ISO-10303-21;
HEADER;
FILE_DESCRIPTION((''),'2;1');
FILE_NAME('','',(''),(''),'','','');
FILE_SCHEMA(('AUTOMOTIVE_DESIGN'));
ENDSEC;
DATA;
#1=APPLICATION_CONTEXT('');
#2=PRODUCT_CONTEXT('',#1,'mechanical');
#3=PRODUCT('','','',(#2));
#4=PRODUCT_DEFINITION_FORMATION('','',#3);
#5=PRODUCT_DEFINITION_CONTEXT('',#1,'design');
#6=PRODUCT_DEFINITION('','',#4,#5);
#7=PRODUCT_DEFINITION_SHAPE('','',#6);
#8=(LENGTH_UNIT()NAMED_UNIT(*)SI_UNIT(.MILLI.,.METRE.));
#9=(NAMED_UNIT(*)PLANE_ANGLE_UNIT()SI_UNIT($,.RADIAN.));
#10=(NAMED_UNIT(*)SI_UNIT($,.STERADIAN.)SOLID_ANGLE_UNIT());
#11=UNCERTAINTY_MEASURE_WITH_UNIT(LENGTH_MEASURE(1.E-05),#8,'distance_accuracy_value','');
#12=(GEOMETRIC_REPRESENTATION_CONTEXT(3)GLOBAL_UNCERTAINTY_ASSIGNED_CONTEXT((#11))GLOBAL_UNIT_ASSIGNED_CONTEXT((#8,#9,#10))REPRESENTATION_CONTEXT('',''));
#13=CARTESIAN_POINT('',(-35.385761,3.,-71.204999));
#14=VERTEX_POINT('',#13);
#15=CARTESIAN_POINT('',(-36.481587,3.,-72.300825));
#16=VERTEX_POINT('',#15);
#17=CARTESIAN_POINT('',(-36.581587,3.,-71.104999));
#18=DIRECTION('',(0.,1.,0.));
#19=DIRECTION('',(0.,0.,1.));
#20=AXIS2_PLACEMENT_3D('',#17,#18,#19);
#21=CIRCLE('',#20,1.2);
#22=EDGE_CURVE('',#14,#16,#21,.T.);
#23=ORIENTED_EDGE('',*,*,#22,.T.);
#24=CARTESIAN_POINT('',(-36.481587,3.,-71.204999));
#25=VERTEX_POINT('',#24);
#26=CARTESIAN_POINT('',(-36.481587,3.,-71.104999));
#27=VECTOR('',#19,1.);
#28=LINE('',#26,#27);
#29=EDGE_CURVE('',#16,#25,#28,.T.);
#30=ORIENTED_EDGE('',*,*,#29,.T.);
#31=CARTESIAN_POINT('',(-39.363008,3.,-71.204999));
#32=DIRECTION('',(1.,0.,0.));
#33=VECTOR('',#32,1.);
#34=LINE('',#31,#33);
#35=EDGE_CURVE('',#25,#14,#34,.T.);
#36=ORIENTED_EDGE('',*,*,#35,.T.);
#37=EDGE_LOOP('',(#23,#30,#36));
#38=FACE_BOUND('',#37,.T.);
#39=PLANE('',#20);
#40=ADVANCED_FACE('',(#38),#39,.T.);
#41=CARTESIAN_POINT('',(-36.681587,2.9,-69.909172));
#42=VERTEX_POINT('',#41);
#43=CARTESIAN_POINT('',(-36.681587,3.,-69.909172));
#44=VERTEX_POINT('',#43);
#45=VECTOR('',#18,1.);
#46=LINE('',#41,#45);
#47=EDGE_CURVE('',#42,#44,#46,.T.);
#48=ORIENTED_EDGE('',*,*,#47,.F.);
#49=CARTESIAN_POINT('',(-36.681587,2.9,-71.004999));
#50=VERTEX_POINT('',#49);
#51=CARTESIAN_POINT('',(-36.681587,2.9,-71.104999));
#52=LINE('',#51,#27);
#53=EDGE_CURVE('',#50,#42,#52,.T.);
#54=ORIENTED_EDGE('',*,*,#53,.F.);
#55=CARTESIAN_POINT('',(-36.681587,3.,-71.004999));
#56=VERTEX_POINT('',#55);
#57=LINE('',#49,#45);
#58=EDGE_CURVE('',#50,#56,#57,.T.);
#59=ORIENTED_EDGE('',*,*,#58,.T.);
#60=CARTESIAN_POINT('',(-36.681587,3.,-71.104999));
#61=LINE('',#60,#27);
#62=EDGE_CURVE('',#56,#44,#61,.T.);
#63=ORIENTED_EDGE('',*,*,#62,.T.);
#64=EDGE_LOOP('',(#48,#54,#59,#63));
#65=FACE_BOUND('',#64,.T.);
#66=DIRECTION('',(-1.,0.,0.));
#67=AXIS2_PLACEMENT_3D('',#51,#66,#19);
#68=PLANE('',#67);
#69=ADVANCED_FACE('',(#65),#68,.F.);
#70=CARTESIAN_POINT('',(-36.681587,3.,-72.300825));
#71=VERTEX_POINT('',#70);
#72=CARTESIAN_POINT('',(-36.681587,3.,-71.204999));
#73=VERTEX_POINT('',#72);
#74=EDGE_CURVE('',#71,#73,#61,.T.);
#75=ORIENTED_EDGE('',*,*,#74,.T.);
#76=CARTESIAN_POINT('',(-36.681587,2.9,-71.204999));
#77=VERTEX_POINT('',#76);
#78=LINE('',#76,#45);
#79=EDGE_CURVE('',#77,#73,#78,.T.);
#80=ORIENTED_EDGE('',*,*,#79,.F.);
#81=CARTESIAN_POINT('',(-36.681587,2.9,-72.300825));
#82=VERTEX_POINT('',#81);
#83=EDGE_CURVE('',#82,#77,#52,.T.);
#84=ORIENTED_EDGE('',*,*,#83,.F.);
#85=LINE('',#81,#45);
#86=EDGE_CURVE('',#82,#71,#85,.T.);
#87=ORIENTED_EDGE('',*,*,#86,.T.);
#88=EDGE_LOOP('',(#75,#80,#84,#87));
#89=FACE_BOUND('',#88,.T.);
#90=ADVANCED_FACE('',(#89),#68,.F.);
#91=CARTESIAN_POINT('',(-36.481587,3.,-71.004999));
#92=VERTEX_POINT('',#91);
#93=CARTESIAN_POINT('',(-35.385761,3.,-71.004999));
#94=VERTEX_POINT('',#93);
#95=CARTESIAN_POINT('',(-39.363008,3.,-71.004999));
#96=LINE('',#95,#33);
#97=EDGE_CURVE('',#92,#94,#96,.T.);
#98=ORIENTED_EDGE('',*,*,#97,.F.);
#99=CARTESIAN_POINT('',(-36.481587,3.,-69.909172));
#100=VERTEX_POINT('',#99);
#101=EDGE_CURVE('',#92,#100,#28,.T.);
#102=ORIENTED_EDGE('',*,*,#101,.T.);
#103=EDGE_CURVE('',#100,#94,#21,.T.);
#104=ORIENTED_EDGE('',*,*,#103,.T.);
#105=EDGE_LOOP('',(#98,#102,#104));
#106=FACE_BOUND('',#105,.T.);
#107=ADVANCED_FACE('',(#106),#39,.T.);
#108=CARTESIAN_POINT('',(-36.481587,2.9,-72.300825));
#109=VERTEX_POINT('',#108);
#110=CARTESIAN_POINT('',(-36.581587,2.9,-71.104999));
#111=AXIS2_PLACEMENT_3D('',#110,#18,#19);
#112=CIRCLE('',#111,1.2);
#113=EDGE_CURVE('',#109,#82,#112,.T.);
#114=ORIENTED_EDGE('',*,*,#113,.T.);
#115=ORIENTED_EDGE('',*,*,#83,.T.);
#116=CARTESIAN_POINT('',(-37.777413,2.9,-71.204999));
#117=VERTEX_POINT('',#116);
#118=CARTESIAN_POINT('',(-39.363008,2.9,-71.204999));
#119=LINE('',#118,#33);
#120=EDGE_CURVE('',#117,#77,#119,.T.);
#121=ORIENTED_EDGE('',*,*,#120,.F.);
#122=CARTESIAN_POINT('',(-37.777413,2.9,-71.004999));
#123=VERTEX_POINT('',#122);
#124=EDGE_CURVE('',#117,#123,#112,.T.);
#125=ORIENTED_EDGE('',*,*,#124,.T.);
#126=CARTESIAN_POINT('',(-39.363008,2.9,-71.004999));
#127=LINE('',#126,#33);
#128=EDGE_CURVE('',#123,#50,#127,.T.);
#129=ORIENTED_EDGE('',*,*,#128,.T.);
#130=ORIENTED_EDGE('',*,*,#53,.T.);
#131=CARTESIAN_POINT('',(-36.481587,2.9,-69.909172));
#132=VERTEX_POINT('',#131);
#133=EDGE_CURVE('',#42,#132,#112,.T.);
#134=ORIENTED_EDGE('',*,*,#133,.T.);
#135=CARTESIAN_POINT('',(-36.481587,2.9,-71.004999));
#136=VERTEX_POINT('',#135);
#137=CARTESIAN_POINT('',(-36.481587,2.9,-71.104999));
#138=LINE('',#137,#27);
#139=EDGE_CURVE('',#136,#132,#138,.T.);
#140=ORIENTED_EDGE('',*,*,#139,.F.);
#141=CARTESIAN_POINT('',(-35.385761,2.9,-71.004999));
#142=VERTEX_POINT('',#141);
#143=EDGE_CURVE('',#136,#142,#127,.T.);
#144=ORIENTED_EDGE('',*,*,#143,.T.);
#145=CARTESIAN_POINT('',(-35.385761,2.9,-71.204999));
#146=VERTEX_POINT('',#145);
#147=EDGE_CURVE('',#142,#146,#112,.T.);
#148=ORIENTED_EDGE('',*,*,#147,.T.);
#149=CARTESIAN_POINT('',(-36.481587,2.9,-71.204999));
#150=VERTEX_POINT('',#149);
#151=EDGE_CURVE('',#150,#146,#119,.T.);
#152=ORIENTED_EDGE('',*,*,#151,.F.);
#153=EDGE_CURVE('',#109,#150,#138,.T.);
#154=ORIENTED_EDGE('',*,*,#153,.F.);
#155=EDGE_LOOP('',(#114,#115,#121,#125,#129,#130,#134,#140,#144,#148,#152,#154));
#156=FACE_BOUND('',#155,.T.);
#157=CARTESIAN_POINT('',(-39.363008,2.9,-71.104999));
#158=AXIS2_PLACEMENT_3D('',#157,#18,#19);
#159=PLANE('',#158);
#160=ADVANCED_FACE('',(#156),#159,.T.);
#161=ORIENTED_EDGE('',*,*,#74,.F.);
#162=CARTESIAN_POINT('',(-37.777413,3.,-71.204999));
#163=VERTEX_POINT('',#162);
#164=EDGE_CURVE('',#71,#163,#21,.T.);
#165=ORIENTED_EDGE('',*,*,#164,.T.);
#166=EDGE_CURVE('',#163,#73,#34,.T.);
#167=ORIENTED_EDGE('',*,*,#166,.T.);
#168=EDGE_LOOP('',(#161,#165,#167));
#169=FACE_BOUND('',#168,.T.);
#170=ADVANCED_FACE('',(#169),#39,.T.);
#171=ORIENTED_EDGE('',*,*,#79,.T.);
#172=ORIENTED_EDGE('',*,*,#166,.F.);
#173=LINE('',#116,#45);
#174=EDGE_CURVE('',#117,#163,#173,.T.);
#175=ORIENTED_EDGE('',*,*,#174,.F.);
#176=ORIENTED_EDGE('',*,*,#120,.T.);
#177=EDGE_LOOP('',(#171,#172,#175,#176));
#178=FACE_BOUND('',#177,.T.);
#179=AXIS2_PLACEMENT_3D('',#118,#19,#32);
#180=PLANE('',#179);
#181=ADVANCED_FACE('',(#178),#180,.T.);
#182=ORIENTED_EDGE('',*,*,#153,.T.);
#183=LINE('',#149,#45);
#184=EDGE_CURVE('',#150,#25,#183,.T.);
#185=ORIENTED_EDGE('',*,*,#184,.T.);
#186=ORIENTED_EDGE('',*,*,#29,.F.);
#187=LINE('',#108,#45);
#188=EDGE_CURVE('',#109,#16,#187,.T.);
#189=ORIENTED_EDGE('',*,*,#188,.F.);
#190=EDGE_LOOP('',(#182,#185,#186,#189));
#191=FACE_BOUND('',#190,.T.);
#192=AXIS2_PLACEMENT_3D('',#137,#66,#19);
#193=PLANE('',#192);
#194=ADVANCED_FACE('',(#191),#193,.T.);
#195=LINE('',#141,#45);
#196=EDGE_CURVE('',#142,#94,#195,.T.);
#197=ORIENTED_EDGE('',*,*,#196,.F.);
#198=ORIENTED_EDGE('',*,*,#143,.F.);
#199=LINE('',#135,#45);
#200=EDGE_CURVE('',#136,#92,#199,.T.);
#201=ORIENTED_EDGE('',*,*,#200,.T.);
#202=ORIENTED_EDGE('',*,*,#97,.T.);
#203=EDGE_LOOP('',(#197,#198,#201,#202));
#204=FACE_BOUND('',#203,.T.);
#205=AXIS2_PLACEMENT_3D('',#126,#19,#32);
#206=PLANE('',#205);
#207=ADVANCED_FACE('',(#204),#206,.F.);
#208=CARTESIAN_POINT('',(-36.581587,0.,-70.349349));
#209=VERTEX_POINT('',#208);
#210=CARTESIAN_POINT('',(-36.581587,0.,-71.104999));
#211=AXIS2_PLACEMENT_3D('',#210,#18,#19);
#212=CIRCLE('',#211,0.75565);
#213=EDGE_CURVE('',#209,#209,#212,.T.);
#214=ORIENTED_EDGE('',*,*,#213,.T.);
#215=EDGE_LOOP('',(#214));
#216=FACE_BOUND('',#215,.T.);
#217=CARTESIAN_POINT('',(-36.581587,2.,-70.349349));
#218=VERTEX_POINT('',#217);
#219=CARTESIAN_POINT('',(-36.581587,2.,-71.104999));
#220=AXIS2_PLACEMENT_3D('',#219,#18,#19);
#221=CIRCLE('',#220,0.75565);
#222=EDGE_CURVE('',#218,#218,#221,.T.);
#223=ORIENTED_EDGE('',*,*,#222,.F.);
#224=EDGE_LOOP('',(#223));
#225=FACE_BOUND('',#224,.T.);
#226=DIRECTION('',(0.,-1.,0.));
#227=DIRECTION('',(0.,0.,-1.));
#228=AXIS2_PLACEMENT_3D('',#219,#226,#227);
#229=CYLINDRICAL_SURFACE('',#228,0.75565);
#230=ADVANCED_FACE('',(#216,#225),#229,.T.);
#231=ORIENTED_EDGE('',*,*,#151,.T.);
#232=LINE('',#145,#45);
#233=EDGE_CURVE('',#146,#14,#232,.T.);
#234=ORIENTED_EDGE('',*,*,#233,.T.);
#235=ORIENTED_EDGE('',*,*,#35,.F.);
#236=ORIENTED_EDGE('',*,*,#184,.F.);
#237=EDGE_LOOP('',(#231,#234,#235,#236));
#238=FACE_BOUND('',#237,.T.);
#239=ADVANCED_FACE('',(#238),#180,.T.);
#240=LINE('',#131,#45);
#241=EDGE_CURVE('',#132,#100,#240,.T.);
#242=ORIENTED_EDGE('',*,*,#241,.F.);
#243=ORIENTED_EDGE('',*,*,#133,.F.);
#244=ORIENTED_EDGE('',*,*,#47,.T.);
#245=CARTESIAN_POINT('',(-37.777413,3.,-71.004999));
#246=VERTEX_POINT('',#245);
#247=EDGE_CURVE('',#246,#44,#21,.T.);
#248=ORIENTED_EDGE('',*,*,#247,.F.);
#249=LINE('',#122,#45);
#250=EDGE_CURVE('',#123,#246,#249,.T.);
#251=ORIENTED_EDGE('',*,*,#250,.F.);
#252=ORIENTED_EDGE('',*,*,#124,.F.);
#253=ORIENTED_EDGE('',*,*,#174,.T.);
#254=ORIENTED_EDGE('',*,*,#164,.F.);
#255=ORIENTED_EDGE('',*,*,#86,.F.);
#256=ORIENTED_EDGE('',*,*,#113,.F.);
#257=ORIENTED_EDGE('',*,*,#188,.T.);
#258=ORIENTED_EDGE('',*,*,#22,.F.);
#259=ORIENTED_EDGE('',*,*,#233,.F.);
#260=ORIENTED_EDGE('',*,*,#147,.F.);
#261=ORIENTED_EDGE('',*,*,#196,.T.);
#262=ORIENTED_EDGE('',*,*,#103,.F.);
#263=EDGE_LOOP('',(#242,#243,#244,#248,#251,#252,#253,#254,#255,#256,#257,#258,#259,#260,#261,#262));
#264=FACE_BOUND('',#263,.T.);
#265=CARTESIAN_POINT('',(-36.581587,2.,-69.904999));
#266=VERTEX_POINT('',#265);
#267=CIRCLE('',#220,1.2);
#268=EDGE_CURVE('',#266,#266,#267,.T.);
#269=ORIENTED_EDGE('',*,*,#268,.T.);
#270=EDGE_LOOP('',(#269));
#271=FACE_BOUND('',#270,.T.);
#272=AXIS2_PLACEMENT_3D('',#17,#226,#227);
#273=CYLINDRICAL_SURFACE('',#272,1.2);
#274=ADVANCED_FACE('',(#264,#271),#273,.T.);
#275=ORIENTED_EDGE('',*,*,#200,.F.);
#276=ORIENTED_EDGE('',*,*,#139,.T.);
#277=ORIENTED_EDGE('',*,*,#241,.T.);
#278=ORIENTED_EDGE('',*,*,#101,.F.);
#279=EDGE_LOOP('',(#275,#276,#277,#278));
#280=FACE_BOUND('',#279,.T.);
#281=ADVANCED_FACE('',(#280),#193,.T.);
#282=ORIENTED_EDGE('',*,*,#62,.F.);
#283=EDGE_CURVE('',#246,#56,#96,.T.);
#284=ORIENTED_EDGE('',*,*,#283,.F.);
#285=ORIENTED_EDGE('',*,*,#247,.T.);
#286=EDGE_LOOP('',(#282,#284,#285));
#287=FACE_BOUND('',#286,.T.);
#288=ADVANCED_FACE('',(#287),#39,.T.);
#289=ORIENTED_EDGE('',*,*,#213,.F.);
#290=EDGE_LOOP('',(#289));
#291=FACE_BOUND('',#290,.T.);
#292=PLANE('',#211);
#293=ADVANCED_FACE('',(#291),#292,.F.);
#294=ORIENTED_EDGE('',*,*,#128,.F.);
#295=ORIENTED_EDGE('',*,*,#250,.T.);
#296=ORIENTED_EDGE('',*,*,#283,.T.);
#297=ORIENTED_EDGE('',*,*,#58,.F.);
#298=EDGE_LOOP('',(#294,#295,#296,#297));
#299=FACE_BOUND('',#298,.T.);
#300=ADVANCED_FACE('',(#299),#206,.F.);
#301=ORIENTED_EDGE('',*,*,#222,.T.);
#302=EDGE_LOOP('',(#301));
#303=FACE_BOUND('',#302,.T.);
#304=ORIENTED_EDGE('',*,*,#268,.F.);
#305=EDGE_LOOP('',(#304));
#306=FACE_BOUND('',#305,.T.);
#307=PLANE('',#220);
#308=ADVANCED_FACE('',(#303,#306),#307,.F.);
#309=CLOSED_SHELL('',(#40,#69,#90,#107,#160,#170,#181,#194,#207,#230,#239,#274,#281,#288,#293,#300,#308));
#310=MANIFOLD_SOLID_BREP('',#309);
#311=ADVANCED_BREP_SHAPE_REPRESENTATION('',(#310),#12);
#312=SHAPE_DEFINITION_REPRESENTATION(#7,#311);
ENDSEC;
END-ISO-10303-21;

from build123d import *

# Parameters (mm, degrees)
SKETCH1_R           = 0.75565
BOSS_EXTRUDE1_DEPTH = 2
SKETCH2_R           = 1.2
BOSS_EXTRUDE2_DEPTH = 1
CUT_EXTRUDE1_START  = -0.1
CUT_EXTRUDE1_DEPTH  = 0.1


with BuildPart() as part:
    # Sketch1 → Boss-Extrude1 (new body)
    with BuildSketch(Plane(origin=(0, 0, 0), x_dir=(1, 0, 0), z_dir=(0, 1, 0))):
        with Locations(Location((-36.581586629, 71.104998538, 0), (0, 0, 270))):
            Circle(SKETCH1_R)
    extrude(amount=BOSS_EXTRUDE1_DEPTH)

    # Sketch2 → Boss-Extrude2 (add)
    with BuildSketch(Plane(origin=(0, 2, 0), x_dir=(1, 0, 0), z_dir=(0, 1, 0))):
        with Locations(Location((-36.581586629, 71.104998538, 0), (0, 0, 270))):
            Circle(SKETCH2_R)
    extrude(amount=BOSS_EXTRUDE2_DEPTH)

    # Sketch3 → Cut-Extrude1 (cut)
    with BuildSketch(Plane(origin=(0, 3, 0), x_dir=(1, 0, 0), z_dir=(0, 1, 0)).offset(CUT_EXTRUDE1_START)):
        with BuildLine():
            ThreePointArc((-36.481586629, 72.300824612), (-36.531543094, 72.303954603), (-36.581586629, 72.304998538))
            ThreePointArc((-36.581586629, 72.304998538), (-36.631630165, 72.303954603), (-36.681586629, 72.300824612))
            Line((-36.681586629, 72.300824612), (-36.681586629, 71.204998538))
            Line((-36.681586629, 71.204998538), (-37.777412704, 71.204998538))
            ThreePointArc((-37.777412704, 71.204998538), (-37.780542694, 71.155042073), (-37.781586629, 71.104998538))
            ThreePointArc((-37.781586629, 71.104998538), (-37.780542694, 71.054955003), (-37.777412704, 71.004998538))
            Line((-37.777412704, 71.004998538), (-36.681586629, 71.004998538))
            Line((-36.681586629, 71.004998538), (-36.681586629, 69.909172464))
            ThreePointArc((-36.681586629, 69.909172464), (-36.631630165, 69.906042474), (-36.581586629, 69.904998538))
            ThreePointArc((-36.581586629, 69.904998538), (-36.531543094, 69.906042474), (-36.481586629, 69.909172464))
            Line((-36.481586629, 69.909172464), (-36.481586629, 71.004998538))
            Line((-36.481586629, 71.004998538), (-35.385760555, 71.004998538))
            ThreePointArc((-35.385760555, 71.004998538), (-35.382630565, 71.054955003), (-35.381586629, 71.104998538))
            ThreePointArc((-35.381586629, 71.104998538), (-35.382630565, 71.155042073), (-35.385760555, 71.204998538))
            Line((-35.385760555, 71.204998538), (-36.481586629, 71.204998538))
            Line((-36.481586629, 71.204998538), (-36.481586629, 72.300824612))
        make_face()
    extrude(amount=CUT_EXTRUDE1_DEPTH, mode=Mode.SUBTRACT)


solid = part.part
